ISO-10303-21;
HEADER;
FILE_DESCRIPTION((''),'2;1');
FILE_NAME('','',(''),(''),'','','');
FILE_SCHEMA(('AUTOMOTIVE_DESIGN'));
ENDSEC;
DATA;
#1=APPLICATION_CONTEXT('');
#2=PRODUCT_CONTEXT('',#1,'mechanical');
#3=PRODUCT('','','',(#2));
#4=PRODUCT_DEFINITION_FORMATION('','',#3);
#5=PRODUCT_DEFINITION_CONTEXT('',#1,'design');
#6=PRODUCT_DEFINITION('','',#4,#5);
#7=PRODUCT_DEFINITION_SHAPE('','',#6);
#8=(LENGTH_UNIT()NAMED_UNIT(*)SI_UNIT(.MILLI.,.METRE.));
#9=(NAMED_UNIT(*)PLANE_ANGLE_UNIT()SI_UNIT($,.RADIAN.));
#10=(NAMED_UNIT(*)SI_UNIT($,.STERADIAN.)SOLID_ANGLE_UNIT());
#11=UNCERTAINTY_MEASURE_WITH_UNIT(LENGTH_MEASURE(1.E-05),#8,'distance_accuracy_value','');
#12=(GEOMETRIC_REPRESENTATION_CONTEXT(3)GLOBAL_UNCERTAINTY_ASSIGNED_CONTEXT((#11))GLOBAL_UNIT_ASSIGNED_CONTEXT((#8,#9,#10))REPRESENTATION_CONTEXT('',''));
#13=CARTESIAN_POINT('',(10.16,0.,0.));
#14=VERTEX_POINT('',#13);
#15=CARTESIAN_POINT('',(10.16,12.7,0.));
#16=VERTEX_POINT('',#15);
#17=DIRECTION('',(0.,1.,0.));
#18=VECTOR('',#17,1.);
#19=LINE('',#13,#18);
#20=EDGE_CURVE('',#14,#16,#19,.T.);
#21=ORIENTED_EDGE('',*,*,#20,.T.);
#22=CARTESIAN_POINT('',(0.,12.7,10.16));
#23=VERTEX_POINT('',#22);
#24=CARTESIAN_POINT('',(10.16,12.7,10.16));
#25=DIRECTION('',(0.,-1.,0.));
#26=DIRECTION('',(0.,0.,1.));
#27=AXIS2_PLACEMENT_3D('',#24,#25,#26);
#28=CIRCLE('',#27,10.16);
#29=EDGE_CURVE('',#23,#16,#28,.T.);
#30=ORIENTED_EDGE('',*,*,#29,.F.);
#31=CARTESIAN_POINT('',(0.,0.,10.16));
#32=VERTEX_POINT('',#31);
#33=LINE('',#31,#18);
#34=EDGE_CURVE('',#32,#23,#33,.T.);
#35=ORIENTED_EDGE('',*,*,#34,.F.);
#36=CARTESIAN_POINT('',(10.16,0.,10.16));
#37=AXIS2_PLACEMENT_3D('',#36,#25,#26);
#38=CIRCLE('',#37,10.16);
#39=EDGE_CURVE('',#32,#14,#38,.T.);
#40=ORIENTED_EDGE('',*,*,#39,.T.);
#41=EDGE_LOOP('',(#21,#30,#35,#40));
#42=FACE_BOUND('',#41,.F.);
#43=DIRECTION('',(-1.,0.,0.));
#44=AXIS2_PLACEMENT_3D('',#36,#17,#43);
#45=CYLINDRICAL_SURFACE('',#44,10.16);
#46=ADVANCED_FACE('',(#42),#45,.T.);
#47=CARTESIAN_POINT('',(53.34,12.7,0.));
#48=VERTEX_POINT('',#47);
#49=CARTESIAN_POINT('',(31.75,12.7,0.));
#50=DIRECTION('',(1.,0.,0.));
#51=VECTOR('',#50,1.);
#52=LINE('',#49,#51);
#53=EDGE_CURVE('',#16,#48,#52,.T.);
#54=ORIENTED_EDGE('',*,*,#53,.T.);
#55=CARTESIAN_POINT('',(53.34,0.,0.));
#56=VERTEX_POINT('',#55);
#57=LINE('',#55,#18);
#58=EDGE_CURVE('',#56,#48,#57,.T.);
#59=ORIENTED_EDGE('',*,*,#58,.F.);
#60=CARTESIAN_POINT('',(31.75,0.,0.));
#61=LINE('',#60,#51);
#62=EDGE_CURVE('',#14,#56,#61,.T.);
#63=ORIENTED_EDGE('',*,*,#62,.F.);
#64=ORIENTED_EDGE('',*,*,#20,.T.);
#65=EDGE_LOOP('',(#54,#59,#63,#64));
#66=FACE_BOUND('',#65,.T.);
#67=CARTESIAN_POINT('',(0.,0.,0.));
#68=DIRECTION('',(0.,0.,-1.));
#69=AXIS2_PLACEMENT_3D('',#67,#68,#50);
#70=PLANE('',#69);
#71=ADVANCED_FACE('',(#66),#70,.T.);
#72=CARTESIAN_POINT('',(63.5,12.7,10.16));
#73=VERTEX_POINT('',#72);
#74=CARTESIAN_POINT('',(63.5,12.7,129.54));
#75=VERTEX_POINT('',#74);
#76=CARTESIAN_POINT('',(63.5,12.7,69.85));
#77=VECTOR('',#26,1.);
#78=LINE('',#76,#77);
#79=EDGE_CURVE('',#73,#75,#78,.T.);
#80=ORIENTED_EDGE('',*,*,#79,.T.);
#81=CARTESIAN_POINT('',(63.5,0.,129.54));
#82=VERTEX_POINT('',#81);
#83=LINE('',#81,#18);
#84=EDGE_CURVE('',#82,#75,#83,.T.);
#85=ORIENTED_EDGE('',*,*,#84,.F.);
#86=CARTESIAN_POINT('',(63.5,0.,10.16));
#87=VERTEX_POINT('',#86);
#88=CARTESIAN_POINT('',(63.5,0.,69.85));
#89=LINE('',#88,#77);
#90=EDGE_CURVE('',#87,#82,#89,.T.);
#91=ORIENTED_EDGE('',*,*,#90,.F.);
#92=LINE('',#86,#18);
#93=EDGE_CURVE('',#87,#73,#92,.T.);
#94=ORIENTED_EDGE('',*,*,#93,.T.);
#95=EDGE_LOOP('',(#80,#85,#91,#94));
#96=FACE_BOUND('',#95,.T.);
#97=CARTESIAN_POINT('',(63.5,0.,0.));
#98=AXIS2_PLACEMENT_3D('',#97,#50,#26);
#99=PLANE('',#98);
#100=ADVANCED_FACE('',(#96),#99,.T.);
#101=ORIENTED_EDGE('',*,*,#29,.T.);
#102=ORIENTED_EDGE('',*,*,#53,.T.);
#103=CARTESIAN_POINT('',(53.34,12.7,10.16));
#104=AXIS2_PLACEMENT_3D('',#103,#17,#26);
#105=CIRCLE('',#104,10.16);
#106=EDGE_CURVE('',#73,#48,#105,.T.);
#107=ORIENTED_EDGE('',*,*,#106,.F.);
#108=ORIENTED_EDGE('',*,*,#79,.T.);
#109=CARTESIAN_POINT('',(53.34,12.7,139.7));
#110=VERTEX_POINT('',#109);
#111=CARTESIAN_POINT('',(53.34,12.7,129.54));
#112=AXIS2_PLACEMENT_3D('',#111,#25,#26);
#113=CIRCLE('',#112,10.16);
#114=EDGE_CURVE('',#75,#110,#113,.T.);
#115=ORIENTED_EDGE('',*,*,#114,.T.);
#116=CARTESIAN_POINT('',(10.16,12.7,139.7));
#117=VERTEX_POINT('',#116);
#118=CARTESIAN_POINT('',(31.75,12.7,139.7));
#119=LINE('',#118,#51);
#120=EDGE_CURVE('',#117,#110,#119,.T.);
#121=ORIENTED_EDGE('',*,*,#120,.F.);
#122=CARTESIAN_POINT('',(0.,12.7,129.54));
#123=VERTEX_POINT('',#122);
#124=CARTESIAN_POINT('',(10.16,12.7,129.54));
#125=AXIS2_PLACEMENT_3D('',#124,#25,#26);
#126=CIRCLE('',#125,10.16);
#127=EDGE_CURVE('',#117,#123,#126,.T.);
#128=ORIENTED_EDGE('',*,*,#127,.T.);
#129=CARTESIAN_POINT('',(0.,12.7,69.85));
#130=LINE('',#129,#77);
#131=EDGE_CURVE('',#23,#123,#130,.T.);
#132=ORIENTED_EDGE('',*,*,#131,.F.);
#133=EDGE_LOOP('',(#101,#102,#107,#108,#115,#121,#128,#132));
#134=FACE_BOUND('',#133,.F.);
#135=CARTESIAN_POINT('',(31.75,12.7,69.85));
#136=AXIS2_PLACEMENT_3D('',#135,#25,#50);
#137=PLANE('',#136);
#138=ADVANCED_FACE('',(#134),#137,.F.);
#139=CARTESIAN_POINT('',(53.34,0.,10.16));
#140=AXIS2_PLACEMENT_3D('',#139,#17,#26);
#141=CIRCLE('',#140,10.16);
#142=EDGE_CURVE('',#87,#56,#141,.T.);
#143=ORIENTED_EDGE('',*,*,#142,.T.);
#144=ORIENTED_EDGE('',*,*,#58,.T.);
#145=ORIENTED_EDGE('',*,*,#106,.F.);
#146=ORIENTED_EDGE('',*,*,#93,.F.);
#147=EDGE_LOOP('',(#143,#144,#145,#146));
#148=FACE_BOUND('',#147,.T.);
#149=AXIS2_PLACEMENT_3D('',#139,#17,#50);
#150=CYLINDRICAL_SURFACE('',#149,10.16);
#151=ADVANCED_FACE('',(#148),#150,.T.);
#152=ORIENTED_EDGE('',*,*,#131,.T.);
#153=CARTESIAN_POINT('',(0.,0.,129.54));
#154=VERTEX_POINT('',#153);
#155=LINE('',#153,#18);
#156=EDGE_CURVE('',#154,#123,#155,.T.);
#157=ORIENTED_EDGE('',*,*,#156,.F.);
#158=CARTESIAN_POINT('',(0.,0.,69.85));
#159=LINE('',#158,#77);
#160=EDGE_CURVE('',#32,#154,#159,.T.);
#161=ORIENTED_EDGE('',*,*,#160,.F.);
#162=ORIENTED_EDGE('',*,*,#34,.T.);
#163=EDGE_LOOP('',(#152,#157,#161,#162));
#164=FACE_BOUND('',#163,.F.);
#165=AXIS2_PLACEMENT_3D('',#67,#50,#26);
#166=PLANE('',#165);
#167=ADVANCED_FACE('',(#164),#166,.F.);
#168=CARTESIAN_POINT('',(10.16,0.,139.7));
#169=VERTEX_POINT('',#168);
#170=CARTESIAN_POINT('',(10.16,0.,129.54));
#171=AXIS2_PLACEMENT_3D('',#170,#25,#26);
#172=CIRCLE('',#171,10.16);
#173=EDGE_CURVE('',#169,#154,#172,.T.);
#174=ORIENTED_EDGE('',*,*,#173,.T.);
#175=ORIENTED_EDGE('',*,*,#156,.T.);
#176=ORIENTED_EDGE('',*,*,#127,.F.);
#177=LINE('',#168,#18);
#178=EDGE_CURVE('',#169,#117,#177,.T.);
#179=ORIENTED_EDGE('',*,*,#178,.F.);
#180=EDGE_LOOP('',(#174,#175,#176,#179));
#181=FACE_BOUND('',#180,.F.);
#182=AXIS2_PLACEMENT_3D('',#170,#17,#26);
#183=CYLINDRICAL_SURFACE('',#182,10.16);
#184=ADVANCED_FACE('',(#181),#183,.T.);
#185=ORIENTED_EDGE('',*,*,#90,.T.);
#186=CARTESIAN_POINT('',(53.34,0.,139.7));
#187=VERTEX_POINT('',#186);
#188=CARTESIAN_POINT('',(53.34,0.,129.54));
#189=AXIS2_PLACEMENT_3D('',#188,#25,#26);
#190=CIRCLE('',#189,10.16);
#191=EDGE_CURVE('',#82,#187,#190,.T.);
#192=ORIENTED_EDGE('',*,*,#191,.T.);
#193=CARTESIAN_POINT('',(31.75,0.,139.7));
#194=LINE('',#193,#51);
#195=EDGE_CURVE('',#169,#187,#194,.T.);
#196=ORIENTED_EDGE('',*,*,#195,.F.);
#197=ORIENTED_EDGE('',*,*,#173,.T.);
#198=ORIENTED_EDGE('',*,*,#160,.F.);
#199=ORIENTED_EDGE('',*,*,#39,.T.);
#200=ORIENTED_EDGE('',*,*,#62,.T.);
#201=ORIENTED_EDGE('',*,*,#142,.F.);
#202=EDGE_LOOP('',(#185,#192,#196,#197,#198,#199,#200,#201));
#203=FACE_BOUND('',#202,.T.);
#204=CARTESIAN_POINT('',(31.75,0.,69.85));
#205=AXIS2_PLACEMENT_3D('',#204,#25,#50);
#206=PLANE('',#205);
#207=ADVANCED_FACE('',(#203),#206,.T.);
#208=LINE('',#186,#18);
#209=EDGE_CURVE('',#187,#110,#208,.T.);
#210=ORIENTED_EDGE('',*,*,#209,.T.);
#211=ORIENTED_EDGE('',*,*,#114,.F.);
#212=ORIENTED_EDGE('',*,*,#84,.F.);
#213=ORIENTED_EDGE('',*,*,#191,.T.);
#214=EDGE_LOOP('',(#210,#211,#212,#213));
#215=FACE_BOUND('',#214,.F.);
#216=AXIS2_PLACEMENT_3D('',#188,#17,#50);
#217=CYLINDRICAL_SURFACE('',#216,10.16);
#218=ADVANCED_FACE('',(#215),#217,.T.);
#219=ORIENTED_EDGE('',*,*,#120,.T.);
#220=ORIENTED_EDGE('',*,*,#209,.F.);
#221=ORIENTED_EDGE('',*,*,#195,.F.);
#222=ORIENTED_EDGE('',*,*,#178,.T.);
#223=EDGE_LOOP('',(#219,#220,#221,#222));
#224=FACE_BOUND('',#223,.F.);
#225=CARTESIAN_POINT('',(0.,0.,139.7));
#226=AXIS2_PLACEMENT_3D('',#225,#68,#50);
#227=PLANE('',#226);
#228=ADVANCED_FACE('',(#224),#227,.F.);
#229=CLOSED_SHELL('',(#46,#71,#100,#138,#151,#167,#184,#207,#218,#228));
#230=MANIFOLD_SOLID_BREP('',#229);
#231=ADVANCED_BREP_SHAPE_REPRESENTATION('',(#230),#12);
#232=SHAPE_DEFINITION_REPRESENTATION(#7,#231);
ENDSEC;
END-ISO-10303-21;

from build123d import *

# Parameters (mm, degrees)
F0_W     = 63.5
F0_H     = 139.7
F1_DEPTH = 12.7
F2_R     = 10.16
F3_R     = 10.16
F4_R     = 10.16
F5_R     = 10.16


with BuildPart() as f1:
    # F0 (on Front) → F1 (new body)
    with BuildSketch(Plane.XZ):
        with Locations((31.75, 69.85)):
            Rectangle(F0_W, F0_H)
    extrude(amount=-F1_DEPTH)

    # F2
    f2_edges = [f1.edges().sort_by_distance(p)[0] for p in [
        (63.5, 6.35, 139.7),
    ]]
    fillet(f2_edges, radius=F2_R)

    # F3
    f3_edges = [f1.edges().sort_by_distance(p)[0] for p in [
        (63.5, 6.35, 0),
    ]]
    fillet(f3_edges, radius=F3_R)

    # F4
    f4_edges = [f1.edges().sort_by_distance(p)[0] for p in [
        (0, 6.35, 139.7),
    ]]
    fillet(f4_edges, radius=F4_R)

    # F5
    f5_edges = [f1.edges().sort_by_distance(p)[0] for p in [
        (0, 6.35, 0),
    ]]
    fillet(f5_edges, radius=F5_R)


solid = f1.part
